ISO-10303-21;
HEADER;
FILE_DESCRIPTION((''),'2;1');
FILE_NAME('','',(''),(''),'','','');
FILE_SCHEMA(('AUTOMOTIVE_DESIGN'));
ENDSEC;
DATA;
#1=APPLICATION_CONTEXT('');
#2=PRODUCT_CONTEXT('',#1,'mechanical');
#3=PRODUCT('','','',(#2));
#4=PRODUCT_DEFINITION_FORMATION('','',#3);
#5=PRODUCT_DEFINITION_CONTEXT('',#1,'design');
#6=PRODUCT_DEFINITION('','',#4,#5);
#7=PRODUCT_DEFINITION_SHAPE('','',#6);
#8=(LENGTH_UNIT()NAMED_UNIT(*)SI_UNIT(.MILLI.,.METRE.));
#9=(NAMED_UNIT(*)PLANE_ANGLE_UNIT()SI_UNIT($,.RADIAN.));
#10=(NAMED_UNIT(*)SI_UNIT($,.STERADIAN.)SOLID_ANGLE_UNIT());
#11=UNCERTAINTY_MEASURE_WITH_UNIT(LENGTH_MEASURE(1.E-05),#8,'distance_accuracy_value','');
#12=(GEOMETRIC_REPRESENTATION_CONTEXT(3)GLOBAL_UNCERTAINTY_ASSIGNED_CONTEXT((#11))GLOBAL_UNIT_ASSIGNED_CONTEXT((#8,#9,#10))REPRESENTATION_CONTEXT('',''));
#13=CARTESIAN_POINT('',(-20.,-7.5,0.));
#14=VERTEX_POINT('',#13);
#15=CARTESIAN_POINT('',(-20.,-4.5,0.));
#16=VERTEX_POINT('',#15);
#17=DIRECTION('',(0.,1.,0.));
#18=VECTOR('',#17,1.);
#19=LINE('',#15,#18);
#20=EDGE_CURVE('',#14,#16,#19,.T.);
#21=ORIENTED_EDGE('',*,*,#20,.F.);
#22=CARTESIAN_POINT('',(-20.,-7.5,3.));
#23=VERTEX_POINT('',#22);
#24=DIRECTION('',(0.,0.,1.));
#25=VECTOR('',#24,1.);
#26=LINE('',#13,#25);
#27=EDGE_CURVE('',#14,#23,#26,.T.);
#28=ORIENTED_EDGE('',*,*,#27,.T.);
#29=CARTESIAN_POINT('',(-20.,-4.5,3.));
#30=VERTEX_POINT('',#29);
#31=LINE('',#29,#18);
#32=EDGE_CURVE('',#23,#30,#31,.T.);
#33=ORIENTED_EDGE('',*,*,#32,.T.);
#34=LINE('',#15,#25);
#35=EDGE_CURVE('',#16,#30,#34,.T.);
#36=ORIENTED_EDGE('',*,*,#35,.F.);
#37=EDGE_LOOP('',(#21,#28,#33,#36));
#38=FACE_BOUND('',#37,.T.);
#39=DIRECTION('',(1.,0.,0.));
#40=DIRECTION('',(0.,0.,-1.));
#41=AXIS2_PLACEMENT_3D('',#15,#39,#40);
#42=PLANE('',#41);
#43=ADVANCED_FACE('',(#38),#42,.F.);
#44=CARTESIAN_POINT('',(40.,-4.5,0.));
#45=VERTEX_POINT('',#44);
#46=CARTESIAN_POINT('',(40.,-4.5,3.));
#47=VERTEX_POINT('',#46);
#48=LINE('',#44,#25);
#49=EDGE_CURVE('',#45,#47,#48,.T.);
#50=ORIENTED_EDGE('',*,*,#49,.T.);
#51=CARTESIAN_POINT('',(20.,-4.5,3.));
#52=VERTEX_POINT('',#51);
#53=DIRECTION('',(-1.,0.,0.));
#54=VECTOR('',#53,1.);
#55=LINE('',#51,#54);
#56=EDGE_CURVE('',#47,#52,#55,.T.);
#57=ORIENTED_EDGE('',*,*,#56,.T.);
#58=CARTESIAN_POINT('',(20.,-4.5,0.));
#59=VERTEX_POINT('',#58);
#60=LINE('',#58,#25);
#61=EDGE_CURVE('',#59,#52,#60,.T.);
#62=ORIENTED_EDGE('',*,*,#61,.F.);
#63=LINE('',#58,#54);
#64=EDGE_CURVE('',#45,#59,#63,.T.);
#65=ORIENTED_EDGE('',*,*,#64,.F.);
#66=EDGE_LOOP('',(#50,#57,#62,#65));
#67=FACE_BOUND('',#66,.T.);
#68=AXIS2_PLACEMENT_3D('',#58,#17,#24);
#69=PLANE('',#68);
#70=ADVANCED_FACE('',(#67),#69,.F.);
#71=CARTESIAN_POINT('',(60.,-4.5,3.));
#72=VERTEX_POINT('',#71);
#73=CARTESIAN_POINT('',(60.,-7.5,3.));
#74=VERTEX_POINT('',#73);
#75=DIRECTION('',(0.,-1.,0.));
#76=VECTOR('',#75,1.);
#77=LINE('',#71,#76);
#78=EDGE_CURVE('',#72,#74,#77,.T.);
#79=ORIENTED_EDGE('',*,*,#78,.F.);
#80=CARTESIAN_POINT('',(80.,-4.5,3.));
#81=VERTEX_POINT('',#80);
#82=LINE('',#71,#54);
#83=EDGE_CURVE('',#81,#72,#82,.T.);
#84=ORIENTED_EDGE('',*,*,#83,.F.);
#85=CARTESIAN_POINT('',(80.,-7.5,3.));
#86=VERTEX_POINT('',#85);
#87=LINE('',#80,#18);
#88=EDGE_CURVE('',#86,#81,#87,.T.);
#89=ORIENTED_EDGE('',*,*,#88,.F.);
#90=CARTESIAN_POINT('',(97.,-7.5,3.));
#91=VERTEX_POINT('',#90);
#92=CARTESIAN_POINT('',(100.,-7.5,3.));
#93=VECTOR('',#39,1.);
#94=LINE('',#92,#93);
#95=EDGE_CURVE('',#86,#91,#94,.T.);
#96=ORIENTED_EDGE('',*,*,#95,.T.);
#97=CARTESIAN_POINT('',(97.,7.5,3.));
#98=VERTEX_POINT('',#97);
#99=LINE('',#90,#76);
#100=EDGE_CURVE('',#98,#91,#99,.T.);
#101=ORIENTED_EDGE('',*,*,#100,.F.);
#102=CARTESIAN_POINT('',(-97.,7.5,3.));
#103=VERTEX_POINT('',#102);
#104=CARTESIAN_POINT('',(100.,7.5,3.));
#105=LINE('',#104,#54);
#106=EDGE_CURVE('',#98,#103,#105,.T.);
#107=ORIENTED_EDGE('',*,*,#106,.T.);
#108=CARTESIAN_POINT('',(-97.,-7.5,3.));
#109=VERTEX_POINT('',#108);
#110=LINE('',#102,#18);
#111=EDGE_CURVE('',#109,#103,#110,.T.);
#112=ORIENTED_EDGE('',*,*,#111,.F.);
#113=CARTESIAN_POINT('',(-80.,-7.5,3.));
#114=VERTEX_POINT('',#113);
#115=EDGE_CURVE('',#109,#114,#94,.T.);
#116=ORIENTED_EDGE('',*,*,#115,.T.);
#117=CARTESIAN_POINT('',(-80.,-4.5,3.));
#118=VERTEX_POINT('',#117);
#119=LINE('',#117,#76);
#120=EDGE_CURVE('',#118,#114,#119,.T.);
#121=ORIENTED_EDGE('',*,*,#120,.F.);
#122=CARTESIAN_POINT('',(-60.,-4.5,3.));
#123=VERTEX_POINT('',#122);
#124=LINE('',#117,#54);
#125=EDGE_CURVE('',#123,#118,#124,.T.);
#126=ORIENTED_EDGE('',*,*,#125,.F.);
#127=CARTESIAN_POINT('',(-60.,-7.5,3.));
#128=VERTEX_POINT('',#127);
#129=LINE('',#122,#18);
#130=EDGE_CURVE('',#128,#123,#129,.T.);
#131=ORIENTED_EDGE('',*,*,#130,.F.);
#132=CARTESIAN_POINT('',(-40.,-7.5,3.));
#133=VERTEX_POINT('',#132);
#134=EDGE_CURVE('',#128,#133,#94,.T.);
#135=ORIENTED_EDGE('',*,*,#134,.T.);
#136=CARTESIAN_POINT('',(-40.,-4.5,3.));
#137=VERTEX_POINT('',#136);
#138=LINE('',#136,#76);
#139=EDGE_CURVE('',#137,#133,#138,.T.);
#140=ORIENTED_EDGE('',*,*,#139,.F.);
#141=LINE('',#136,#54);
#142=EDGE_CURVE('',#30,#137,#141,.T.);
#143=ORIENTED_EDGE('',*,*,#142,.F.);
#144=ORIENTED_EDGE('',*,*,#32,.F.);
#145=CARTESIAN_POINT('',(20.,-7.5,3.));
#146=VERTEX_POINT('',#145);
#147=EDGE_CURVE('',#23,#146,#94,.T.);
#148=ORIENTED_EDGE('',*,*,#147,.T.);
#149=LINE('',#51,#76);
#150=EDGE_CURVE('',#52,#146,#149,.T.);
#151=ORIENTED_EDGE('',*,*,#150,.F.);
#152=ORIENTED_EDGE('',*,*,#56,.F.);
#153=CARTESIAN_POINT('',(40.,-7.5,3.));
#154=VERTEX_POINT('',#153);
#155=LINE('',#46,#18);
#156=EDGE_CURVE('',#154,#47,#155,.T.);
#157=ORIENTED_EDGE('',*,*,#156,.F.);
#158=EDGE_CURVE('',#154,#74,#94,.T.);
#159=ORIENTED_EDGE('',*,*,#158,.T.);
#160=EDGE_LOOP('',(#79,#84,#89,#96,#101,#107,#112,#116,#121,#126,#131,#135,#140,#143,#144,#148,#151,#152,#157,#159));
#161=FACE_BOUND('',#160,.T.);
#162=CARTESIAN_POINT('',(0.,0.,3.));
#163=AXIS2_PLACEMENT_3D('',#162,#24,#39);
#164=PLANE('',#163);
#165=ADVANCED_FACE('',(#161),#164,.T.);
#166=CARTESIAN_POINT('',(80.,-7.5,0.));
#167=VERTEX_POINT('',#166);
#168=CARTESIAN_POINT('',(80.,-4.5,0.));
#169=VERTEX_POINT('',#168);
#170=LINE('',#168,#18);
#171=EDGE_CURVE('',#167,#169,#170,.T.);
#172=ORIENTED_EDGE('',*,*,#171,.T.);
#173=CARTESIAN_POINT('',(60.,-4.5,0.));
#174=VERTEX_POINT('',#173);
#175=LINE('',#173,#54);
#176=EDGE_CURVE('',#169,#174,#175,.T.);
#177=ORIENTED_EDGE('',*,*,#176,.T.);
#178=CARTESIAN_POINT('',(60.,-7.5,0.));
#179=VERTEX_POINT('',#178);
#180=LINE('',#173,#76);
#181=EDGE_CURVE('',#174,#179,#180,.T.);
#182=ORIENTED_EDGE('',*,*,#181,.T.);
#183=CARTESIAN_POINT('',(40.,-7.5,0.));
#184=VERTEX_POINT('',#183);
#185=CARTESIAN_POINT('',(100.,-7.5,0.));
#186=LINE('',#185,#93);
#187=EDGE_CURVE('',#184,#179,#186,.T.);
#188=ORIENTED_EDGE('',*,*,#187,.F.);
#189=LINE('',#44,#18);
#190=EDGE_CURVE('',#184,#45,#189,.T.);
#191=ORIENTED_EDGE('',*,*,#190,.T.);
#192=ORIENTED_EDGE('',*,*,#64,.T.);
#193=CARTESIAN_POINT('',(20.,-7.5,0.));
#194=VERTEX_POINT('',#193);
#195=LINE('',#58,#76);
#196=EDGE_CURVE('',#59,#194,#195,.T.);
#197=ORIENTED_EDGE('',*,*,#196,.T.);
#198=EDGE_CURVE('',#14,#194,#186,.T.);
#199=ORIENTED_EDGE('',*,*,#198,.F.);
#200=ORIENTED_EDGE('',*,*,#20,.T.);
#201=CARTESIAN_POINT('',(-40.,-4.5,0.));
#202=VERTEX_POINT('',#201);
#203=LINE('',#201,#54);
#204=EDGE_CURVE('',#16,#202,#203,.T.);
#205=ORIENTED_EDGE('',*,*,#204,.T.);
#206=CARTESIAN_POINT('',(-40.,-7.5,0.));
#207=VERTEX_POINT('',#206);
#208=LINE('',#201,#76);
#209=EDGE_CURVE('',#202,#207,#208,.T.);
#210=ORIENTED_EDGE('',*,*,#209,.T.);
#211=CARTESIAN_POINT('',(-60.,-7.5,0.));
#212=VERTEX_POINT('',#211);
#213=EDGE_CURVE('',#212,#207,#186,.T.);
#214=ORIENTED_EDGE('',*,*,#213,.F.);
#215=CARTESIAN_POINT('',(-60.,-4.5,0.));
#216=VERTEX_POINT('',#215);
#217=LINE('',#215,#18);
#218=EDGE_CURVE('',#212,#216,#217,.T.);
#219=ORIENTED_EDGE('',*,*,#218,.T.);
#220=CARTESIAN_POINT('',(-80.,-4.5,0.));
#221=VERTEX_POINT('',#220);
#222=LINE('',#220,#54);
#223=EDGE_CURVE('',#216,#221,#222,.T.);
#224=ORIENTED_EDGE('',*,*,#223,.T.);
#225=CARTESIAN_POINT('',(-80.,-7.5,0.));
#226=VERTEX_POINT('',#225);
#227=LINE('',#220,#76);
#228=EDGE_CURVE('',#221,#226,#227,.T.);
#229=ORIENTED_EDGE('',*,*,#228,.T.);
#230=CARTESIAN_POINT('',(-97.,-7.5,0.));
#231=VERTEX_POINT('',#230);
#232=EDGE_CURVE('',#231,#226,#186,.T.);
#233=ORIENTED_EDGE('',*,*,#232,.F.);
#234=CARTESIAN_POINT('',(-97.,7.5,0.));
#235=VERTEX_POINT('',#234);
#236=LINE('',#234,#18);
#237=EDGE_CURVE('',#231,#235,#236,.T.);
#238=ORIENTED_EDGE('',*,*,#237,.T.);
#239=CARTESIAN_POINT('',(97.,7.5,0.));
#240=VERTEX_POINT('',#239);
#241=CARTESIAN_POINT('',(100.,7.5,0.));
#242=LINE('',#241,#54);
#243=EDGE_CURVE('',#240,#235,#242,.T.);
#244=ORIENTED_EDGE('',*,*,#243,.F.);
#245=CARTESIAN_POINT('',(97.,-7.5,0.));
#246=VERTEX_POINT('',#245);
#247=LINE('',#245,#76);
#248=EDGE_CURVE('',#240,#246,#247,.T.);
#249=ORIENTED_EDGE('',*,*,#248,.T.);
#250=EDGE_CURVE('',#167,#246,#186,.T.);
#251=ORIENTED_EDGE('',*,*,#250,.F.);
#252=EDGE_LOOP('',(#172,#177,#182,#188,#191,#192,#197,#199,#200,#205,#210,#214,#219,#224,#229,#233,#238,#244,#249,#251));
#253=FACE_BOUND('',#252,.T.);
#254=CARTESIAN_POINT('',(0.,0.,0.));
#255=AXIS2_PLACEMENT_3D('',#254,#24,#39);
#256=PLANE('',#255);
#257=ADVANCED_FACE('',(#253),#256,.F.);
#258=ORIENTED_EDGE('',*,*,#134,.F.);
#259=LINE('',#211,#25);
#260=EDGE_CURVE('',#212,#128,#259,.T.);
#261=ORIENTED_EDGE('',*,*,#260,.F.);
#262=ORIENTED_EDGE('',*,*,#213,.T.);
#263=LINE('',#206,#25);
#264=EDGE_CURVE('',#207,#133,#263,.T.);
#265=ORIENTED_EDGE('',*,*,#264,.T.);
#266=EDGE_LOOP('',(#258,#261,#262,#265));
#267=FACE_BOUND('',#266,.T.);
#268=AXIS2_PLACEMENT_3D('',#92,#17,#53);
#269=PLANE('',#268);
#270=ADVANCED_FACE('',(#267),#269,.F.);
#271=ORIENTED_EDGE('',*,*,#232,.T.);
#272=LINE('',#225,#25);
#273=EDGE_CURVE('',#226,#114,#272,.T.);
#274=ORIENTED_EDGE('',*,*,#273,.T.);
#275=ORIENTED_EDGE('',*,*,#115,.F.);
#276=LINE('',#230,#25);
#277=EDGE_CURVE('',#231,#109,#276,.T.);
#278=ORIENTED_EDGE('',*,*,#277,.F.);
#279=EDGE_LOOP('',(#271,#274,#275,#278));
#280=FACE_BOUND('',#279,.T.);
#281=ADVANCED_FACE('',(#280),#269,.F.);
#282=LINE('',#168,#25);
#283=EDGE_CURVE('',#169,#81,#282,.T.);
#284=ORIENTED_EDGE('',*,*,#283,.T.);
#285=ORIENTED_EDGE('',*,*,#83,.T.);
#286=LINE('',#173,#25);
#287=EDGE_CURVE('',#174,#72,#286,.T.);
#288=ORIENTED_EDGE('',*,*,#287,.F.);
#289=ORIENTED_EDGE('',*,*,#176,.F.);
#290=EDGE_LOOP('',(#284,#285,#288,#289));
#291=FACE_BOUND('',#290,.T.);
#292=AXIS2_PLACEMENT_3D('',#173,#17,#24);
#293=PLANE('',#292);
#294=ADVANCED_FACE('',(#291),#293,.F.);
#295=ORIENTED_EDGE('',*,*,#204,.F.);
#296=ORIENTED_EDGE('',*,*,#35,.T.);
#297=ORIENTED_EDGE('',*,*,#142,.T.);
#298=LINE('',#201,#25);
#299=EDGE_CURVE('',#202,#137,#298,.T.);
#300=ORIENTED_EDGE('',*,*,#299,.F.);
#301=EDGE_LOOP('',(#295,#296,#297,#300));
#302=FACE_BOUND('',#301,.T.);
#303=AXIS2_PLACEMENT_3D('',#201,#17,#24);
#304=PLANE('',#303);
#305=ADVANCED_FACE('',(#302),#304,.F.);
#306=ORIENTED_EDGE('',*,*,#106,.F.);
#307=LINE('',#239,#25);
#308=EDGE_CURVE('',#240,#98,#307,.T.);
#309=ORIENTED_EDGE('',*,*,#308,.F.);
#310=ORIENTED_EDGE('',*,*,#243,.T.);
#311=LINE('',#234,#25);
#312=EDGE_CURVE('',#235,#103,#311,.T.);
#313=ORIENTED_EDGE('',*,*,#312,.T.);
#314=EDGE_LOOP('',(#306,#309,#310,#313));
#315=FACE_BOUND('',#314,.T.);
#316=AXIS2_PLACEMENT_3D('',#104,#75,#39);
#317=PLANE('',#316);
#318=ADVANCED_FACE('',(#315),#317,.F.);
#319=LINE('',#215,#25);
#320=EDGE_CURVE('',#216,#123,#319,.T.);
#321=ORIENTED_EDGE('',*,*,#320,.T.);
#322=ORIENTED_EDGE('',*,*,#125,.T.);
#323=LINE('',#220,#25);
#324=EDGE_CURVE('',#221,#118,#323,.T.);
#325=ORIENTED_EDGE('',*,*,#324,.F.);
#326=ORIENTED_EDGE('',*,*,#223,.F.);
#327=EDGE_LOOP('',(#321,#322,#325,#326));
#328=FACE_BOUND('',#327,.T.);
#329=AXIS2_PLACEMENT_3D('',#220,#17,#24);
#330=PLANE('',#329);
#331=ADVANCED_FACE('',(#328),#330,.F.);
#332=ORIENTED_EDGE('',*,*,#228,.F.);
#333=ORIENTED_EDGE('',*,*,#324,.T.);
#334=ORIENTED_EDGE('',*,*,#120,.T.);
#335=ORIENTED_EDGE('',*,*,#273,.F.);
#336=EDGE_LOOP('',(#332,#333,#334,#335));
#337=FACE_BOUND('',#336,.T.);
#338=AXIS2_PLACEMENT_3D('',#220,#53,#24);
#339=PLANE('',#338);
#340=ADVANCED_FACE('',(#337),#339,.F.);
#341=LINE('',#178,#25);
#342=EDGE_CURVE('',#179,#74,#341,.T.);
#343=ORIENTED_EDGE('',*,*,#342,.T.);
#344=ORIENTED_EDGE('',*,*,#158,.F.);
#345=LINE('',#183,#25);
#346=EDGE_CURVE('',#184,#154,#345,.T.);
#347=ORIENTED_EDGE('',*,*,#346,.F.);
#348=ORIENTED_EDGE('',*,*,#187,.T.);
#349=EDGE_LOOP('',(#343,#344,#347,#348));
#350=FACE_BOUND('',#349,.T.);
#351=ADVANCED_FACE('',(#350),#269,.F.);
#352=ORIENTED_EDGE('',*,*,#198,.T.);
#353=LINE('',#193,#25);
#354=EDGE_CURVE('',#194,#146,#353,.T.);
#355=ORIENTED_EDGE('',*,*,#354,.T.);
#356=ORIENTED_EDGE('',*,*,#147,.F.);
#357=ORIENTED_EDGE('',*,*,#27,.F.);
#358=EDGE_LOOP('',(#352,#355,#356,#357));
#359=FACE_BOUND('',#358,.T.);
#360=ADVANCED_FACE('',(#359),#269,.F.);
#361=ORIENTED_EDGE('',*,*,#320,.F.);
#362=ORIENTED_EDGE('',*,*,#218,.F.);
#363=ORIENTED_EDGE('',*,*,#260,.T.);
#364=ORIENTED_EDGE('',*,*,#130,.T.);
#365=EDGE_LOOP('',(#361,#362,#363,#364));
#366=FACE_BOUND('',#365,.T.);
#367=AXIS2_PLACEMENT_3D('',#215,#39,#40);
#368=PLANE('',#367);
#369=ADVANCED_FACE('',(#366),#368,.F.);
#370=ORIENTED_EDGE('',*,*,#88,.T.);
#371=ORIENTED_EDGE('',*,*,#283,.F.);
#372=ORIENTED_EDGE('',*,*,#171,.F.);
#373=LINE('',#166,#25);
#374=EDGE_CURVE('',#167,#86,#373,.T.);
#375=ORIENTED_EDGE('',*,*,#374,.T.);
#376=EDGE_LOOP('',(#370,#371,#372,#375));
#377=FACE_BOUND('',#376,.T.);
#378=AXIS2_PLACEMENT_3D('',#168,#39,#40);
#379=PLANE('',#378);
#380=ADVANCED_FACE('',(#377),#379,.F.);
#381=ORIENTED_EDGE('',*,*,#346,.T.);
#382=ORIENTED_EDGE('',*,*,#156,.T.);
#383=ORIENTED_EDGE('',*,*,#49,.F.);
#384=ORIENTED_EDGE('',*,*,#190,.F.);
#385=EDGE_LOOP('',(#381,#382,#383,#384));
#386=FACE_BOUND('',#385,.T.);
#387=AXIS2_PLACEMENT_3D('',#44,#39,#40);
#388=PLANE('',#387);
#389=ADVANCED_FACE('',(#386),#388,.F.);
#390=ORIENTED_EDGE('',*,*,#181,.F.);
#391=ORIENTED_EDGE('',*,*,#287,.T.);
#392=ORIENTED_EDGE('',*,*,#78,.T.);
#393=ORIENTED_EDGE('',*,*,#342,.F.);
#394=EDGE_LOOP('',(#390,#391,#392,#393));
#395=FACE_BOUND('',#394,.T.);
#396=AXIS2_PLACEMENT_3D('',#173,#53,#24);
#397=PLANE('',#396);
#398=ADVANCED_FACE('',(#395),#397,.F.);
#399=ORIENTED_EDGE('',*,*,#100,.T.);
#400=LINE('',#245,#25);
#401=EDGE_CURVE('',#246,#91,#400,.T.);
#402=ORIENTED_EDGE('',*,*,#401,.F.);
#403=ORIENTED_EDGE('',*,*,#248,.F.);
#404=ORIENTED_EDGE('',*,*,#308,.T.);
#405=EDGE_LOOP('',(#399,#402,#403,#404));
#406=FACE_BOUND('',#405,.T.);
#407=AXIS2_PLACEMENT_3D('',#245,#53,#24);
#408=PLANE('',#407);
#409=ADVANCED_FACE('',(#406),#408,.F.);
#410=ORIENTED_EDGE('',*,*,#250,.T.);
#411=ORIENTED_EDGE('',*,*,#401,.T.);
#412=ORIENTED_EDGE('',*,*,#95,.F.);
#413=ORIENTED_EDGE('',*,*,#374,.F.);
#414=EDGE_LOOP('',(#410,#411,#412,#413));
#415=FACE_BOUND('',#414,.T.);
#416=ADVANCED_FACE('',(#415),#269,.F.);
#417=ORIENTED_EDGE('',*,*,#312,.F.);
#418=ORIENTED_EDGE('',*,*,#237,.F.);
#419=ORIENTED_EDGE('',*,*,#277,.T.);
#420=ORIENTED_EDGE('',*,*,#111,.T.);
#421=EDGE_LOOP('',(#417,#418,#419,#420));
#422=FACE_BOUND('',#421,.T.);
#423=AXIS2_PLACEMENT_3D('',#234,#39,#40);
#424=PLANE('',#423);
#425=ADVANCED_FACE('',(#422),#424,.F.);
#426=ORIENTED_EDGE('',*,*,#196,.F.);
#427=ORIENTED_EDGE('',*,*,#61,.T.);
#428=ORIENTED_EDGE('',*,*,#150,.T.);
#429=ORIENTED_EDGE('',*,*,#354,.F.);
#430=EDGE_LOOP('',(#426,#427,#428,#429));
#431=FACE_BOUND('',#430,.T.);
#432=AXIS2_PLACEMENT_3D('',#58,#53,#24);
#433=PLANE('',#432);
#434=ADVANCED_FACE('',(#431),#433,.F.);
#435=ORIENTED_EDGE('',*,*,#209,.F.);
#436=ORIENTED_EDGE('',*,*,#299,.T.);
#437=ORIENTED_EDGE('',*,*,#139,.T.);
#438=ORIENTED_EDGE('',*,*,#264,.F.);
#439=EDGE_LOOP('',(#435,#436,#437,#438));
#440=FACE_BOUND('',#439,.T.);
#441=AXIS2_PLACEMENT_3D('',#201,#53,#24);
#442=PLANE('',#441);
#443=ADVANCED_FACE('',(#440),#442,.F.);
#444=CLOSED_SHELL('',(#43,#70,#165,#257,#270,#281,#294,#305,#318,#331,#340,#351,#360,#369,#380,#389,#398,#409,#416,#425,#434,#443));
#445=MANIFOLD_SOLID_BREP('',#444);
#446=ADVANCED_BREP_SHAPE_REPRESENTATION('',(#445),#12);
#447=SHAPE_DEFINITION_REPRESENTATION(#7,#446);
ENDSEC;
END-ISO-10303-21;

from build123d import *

# Parameters (mm, degrees)
SKETCH1_W           = 200
SKETCH1_H           = 15
BOSS_EXTRUDE1_DEPTH = 3
SKETCH2_W           = 20
SKETCH2_H           = 3
SKETCH2_W_2         = 3
SKETCH2_H_2         = 15
CUT_EXTRUDE2_DEPTH  = 3


with BuildPart() as part:
    # Sketch1 → Boss-Extrude1 (new body)
    with BuildSketch(Plane.XY):
        Rectangle(SKETCH1_W, SKETCH1_H)
    extrude(amount=BOSS_EXTRUDE1_DEPTH)

    # Sketch2 → Cut-Extrude2 (cut)
    with BuildSketch(Plane.XY.offset(3)):
        with Locations((-70, -6)):
            Rectangle(SKETCH2_W, SKETCH2_H)
        with Locations((98.5, 0)):
            Rectangle(SKETCH2_W_2, SKETCH2_H_2)
        with Locations((-98.5, 0)):
            Rectangle(SKETCH2_W_2, SKETCH2_H_2)
        with Locations((-30, -6)):
            Rectangle(SKETCH2_W, SKETCH2_H)
        with Locations((30, -6)):
            Rectangle(SKETCH2_W, SKETCH2_H)
        with Locations((70, -6)):
            Rectangle(SKETCH2_W, SKETCH2_H)
    extrude(amount=-CUT_EXTRUDE2_DEPTH, mode=Mode.SUBTRACT)


solid = part.part
